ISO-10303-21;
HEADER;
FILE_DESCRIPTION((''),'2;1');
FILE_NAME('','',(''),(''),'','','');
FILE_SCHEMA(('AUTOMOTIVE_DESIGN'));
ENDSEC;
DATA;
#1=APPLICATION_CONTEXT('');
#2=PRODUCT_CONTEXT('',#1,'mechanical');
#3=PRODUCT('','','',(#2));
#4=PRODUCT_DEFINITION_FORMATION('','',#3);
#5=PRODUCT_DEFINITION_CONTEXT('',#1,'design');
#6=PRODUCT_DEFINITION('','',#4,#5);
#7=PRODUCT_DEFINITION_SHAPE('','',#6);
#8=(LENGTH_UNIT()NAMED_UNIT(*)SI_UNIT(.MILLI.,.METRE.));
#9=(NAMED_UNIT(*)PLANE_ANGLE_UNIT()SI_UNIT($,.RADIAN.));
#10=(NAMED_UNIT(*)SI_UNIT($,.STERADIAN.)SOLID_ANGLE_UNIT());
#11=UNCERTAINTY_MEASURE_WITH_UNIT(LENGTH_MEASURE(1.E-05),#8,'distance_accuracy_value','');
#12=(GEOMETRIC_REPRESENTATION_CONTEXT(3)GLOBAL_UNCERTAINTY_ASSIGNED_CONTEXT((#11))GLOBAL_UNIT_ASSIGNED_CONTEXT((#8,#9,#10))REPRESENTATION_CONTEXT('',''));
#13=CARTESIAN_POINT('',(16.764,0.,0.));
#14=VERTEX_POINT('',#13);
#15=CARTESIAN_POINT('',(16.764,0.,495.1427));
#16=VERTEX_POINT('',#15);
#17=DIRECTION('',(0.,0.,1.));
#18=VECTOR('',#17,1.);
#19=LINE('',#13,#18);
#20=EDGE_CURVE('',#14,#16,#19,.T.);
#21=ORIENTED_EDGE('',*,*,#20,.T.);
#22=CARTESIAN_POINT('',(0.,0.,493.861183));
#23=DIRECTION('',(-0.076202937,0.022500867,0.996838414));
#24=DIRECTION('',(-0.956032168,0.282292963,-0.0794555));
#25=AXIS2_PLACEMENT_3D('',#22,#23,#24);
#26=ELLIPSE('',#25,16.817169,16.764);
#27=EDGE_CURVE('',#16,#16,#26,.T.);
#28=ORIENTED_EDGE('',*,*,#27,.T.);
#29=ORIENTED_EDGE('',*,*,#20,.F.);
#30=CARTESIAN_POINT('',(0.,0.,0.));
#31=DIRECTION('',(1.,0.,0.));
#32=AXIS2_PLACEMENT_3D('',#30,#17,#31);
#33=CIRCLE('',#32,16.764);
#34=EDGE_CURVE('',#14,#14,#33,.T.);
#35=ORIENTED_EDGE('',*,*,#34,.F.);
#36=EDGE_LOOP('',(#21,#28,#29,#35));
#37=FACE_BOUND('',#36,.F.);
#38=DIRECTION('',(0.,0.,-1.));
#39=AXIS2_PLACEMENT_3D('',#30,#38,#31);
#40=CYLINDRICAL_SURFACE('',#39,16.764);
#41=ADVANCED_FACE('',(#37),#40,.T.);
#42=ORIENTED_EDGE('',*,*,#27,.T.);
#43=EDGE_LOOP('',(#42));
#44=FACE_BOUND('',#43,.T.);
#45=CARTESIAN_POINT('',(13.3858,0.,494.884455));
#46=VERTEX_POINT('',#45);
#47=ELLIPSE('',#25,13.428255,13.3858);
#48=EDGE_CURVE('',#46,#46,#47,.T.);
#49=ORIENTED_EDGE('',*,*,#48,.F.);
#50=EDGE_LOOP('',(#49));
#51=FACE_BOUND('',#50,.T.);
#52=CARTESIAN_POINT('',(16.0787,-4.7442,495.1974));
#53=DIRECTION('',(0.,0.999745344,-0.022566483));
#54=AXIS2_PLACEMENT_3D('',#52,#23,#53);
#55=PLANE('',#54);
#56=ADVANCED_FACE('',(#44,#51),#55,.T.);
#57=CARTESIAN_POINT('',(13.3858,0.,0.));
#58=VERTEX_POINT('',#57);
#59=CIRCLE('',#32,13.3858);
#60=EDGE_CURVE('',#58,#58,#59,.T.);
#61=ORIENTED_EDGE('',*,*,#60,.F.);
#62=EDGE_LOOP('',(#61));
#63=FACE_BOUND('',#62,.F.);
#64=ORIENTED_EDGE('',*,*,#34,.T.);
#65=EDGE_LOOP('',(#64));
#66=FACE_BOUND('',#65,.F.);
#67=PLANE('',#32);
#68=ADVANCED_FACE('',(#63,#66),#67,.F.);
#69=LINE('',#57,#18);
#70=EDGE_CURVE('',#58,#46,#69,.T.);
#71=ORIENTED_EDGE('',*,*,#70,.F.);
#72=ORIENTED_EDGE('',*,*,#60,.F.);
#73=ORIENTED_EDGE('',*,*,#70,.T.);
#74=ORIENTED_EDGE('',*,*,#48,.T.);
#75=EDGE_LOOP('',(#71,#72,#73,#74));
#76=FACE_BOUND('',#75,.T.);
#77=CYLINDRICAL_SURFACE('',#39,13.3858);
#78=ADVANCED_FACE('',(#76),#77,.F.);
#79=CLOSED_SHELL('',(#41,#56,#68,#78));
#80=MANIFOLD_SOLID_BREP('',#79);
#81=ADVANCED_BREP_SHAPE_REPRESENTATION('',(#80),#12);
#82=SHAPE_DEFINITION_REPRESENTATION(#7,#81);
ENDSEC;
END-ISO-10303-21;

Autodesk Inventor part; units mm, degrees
ref_plane "Start plane" through (0, 0, 0) normal (0, 0, 1) x (1, 0, 0)
ref_plane "End plane" through (0, 0, 495.5209) normal (0, 0, 1) x (1, 0, 0)
sketch "Sketch" plane through (0, 0, 0) normal (0, 0, 1) x (1, 0, 0)
  circle A0 centre (0, 0) radius 13.3858
  circle A1 centre (0, 0) radius 16.764
  dimension "d0" = 33.528
  dimension "d1" = 3.3782
extrude "Body" add sketch "Sketch" along normal up to surface (495.5209 mm away) from surface at 0
sketch "Sketch3" plane through (0, 0, 0) normal (0, 0, 1) x (1, 0, 0)
  line L0 (0, 0) -> (10, 0)
ref_plane "Work Plane3" through (0, 0, 0) normal (0, -1, 0) x (1, 0, 0)
ref_plane "Work Plane4" through (16.0787, -4.7442, 495.1974) normal (-0.0762, 0.0225, 0.9968) x (0.9971, 0.0009, 0.0762)
split "Split1" plane through (16.0787, -4.7442, 495.1974) removes the side toward (-0.0762, 0.0225, 0.9968)
sketch "Sketch4" plane through (0, 0, 0) normal (0, -1, 0) x (1, 0, 0)
  line L0 (-2, 0) -> (12, 0) projected
  line L1 (-2, 495.5209) -> (12, 495.5209) projected
  dimension "d7" = 495.5209
equation "\"d0\" = G_H"
equation "\"d1\" = G_T"
equation "\"d2\" = G_L"
equation "\"G_H\" = 33.528"
equation "\"G_T\" = 3.3782"
equation "\"G_L\" = 495.19737"
equation "\"G_OFFSET_START\" = 0"
equation "\"G_OFFSET_END\" = 1.65962"
equation "\"d5\" = G_OFFSET_END + B_L"
equation "\"B_L\" = 493.86125"
properties part number "ANSI - 1 x 0.133 - 19.496" material "Steel, Mild"
